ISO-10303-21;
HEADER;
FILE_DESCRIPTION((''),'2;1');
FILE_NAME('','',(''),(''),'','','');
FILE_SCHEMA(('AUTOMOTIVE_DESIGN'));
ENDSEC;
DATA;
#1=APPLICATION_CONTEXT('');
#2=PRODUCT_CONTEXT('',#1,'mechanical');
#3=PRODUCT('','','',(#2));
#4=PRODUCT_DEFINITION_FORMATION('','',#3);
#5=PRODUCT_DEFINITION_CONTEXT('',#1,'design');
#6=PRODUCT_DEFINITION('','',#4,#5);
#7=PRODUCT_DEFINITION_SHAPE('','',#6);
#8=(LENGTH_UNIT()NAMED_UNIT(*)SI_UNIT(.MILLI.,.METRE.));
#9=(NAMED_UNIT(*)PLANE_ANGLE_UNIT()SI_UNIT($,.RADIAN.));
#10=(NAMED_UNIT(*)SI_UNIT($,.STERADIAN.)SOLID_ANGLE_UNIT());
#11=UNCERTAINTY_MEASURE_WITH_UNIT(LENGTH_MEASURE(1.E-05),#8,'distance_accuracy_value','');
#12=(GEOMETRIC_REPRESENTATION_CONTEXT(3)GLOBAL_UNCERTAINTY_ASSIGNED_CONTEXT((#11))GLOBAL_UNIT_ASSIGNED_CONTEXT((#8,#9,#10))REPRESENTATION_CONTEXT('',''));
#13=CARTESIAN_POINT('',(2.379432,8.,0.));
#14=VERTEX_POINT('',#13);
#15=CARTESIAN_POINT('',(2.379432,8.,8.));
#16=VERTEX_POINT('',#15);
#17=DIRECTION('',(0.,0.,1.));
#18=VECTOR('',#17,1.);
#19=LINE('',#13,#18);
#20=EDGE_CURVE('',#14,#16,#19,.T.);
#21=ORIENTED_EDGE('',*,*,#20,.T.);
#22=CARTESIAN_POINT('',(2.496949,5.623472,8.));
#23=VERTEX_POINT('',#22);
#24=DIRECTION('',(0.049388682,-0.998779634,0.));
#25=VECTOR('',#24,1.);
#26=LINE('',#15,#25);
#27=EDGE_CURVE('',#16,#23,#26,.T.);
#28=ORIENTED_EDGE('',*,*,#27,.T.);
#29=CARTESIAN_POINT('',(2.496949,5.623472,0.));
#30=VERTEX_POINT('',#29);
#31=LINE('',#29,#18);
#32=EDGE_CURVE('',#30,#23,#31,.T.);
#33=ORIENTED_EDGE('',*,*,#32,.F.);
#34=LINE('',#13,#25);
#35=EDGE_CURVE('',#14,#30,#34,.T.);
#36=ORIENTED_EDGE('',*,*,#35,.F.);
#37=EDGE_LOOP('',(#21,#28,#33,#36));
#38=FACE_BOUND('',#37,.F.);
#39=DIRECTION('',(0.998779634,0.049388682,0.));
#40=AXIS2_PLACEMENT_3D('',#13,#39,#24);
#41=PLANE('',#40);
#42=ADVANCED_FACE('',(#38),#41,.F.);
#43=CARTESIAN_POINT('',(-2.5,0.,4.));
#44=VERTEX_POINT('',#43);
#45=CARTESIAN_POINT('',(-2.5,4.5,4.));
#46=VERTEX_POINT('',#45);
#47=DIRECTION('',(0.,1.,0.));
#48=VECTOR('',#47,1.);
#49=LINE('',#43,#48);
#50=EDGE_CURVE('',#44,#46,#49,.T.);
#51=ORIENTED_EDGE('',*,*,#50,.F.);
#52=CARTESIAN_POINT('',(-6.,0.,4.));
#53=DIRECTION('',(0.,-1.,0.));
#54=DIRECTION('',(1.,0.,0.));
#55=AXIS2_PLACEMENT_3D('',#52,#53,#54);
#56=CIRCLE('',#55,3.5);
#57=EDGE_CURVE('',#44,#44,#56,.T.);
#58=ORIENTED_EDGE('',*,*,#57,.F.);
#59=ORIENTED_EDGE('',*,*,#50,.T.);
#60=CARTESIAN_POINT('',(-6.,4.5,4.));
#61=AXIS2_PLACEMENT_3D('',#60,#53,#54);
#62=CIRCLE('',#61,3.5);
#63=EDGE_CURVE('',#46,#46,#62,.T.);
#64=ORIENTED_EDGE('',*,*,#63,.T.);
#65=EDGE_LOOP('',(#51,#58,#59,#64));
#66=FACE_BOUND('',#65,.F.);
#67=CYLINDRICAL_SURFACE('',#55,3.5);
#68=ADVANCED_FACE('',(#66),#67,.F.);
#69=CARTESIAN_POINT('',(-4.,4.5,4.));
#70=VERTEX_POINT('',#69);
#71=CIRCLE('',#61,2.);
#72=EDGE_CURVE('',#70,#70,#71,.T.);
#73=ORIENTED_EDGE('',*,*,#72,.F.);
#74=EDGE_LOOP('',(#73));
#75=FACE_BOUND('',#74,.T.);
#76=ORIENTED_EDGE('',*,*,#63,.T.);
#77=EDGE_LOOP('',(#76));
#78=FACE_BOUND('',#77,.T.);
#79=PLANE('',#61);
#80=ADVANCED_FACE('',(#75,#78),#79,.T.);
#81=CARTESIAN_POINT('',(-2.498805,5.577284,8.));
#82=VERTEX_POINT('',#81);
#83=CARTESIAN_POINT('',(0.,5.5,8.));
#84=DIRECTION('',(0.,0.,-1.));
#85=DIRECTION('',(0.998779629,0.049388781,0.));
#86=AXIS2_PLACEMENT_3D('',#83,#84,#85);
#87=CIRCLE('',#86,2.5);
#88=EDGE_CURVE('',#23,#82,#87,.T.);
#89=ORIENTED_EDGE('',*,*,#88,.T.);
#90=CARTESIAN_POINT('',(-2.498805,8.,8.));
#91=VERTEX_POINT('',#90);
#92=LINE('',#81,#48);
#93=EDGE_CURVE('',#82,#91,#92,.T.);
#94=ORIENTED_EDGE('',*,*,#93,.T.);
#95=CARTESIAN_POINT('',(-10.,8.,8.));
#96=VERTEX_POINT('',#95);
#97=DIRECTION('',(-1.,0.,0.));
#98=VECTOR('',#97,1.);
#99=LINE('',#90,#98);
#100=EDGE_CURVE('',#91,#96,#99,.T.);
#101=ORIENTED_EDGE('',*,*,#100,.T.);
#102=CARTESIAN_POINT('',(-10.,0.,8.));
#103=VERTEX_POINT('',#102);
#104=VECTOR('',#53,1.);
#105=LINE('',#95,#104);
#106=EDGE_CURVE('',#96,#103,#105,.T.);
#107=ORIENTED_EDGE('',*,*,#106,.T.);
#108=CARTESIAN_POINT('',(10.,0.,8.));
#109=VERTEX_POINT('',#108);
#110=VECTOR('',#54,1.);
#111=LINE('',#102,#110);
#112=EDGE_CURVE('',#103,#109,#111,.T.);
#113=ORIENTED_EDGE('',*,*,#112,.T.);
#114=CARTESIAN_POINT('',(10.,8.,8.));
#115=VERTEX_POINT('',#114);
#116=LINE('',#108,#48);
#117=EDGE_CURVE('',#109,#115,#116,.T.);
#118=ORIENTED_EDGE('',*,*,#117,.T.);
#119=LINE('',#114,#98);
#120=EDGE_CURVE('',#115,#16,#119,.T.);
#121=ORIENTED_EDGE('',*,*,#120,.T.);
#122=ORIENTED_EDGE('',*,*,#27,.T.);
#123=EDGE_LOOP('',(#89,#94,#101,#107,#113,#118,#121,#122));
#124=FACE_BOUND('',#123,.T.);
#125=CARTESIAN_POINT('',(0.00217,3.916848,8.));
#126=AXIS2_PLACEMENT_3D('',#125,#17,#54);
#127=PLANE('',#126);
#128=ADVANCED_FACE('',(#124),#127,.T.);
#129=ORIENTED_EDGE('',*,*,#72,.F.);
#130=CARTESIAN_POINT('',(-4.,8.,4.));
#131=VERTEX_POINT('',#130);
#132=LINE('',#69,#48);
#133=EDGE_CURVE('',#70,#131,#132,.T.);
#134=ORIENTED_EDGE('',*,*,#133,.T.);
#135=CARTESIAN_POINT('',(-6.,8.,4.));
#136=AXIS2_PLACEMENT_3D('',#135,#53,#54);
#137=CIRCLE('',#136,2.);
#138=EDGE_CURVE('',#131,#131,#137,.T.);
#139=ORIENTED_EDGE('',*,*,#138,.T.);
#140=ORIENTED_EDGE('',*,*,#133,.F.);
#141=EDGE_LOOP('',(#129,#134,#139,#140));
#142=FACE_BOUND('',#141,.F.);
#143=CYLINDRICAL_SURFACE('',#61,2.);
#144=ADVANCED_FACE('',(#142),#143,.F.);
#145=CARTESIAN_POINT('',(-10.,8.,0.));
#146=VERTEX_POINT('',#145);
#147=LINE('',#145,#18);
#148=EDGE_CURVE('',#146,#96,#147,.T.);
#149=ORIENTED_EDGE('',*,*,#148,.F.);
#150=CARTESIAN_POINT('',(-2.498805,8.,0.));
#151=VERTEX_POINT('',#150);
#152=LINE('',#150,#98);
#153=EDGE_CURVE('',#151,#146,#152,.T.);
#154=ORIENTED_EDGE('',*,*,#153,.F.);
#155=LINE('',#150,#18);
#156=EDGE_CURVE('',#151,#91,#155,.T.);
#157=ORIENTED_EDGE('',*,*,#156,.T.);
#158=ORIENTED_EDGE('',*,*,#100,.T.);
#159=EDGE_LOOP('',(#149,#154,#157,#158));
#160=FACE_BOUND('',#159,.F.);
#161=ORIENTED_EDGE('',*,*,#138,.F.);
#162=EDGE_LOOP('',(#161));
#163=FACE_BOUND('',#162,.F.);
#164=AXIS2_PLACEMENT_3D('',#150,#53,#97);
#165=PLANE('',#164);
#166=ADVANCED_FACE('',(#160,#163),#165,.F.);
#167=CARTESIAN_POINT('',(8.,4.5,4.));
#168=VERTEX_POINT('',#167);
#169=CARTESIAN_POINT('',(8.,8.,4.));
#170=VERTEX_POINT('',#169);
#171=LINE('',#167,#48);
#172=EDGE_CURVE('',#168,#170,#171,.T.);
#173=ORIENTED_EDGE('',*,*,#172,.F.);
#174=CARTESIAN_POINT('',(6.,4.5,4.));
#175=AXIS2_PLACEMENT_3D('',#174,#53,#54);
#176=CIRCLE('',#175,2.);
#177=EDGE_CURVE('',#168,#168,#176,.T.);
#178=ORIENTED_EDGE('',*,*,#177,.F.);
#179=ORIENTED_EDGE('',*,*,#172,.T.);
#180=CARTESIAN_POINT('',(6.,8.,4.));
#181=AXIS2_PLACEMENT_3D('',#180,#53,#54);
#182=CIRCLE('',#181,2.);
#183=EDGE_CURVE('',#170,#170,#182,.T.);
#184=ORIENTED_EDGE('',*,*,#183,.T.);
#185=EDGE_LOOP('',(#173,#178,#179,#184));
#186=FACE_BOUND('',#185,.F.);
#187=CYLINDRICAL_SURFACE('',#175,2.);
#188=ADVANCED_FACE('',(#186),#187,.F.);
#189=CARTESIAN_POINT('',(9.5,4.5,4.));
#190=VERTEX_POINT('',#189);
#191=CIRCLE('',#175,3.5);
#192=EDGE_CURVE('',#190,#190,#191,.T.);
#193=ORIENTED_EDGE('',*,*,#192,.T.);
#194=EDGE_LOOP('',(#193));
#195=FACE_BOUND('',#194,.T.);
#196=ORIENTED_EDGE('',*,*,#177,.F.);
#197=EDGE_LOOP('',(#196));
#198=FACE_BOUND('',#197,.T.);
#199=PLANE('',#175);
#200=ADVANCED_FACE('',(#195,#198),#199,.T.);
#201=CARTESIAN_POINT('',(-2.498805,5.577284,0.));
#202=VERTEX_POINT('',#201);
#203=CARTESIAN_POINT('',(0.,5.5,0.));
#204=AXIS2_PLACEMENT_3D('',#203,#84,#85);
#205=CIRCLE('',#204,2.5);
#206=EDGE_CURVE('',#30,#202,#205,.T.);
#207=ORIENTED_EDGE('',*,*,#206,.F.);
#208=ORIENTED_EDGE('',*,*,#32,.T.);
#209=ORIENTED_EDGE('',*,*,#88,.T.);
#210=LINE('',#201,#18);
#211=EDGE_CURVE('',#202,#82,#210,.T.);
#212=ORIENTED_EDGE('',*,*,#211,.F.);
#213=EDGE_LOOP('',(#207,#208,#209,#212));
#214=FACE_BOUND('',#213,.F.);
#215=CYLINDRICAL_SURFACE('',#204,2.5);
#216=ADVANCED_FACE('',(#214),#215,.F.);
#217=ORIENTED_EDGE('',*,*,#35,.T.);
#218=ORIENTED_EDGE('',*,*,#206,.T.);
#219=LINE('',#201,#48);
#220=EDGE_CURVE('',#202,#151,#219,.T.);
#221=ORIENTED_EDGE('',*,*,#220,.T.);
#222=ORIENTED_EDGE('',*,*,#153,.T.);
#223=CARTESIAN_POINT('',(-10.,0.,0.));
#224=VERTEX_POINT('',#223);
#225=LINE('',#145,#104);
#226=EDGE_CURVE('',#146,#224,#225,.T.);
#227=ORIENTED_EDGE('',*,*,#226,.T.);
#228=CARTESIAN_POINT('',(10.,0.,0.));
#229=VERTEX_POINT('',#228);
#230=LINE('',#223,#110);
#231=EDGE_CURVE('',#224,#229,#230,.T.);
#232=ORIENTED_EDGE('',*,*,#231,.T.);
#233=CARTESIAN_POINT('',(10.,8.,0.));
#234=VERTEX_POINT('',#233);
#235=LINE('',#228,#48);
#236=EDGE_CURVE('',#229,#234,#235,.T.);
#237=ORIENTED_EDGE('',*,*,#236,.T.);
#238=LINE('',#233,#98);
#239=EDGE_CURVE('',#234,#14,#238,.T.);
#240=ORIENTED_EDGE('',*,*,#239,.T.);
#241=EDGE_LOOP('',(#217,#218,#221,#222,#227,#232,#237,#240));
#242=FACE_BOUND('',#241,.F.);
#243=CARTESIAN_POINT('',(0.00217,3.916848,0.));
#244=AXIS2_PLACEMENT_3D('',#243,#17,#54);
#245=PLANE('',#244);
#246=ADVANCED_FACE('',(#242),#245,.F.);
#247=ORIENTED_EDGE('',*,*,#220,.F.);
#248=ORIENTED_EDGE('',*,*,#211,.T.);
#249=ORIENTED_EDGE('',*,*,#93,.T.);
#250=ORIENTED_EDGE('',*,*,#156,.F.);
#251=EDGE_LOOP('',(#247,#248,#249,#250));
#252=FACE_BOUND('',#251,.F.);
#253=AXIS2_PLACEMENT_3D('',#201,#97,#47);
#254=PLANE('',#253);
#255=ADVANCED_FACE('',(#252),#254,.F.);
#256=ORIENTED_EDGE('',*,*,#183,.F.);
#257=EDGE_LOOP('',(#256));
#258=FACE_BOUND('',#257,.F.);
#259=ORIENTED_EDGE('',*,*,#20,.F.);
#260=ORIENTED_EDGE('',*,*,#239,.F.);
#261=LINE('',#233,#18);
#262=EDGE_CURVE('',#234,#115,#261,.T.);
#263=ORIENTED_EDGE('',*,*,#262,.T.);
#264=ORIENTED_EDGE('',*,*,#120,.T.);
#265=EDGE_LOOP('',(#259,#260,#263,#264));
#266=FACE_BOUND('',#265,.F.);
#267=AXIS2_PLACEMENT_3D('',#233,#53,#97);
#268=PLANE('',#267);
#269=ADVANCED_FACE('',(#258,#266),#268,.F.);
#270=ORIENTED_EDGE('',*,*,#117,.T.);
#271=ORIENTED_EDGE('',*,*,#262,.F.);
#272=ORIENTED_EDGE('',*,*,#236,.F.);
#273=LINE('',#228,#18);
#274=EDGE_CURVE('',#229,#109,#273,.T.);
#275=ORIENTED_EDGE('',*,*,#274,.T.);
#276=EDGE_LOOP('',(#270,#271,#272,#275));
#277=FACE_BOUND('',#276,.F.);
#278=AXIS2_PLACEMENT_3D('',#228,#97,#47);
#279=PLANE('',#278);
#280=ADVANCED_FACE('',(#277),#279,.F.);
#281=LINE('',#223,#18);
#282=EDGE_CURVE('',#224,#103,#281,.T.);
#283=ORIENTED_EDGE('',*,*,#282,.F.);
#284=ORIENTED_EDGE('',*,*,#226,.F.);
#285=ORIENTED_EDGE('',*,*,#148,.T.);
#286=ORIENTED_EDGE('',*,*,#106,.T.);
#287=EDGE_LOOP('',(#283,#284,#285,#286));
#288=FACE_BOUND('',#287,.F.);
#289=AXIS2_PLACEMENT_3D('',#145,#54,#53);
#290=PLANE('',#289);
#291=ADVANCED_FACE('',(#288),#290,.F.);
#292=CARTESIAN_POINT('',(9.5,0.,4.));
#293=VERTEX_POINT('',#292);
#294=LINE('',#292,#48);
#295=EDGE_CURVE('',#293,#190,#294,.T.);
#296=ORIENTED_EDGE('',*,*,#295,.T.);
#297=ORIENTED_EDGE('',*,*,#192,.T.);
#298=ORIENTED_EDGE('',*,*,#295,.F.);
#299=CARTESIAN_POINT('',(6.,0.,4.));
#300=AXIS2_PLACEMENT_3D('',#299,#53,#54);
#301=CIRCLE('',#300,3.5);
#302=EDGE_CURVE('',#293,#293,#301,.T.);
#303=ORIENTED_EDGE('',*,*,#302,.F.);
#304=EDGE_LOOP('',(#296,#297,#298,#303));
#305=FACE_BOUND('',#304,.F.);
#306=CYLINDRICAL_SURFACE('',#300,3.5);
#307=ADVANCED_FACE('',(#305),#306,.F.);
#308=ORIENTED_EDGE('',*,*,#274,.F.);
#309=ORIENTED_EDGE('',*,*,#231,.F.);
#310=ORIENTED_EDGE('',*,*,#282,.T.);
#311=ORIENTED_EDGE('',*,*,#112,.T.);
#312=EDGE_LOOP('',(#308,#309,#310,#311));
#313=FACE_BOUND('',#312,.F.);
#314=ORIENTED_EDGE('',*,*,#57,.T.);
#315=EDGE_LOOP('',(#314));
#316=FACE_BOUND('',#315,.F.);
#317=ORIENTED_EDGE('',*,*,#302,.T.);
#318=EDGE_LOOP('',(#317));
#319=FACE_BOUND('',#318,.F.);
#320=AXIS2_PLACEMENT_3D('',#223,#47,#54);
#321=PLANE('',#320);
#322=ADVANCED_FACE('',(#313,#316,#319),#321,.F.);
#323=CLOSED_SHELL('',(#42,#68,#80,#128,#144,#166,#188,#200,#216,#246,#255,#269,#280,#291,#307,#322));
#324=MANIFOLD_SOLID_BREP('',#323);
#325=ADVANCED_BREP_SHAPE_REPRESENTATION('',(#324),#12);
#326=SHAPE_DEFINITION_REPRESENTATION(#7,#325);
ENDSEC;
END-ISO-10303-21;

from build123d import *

# Parameters (mm, degrees)
F1_DEPTH = 8
F2_R     = 3.5
F3_DEPTH = 4.5
F4_R     = 2
F5_R     = 2
F6_DEPTH = 25


with BuildPart() as f1:
    # F0 (on Top) → F1 (new body)
    with BuildSketch(Plane.XY):
        with BuildLine():
            Line((-2.498805, 8), (-10, 8))
            Line((-10, 8), (-10, 0))
            Line((-10, 0), (10, 0))
            Line((10, 0), (10, 8))
            Line((10, 8), (2.379432, 8))
            Line((2.379432, 8), (2.496949, 5.623472))
            ThreePointArc((2.496949, 5.623472), (0.023112, 3.000107), (-2.498805, 5.577284))
            Line((-2.498805, 5.577284), (-2.498805, 8))
        make_face()
    extrude(amount=F1_DEPTH)

    # F2 (on face) → F3 (cut)
    with BuildSketch(Plane.XZ):
        with Locations((6, 4)):
            Circle(F2_R)
        with Locations((-6, 4)):
            Circle(F2_R)
    extrude(amount=-F3_DEPTH, mode=Mode.SUBTRACT)

    # F4 (on face) + F5 (on face) → F6 (cut)
    with BuildSketch(Plane.XZ.offset(-4.5)):
        with Locations((-6, 4)):
            Circle(F4_R)
    with BuildSketch(Plane.XZ.offset(-4.5)):
        with Locations((6, 4)):
            Circle(F5_R)
    extrude(amount=-F6_DEPTH, mode=Mode.SUBTRACT)


solid = f1.part
